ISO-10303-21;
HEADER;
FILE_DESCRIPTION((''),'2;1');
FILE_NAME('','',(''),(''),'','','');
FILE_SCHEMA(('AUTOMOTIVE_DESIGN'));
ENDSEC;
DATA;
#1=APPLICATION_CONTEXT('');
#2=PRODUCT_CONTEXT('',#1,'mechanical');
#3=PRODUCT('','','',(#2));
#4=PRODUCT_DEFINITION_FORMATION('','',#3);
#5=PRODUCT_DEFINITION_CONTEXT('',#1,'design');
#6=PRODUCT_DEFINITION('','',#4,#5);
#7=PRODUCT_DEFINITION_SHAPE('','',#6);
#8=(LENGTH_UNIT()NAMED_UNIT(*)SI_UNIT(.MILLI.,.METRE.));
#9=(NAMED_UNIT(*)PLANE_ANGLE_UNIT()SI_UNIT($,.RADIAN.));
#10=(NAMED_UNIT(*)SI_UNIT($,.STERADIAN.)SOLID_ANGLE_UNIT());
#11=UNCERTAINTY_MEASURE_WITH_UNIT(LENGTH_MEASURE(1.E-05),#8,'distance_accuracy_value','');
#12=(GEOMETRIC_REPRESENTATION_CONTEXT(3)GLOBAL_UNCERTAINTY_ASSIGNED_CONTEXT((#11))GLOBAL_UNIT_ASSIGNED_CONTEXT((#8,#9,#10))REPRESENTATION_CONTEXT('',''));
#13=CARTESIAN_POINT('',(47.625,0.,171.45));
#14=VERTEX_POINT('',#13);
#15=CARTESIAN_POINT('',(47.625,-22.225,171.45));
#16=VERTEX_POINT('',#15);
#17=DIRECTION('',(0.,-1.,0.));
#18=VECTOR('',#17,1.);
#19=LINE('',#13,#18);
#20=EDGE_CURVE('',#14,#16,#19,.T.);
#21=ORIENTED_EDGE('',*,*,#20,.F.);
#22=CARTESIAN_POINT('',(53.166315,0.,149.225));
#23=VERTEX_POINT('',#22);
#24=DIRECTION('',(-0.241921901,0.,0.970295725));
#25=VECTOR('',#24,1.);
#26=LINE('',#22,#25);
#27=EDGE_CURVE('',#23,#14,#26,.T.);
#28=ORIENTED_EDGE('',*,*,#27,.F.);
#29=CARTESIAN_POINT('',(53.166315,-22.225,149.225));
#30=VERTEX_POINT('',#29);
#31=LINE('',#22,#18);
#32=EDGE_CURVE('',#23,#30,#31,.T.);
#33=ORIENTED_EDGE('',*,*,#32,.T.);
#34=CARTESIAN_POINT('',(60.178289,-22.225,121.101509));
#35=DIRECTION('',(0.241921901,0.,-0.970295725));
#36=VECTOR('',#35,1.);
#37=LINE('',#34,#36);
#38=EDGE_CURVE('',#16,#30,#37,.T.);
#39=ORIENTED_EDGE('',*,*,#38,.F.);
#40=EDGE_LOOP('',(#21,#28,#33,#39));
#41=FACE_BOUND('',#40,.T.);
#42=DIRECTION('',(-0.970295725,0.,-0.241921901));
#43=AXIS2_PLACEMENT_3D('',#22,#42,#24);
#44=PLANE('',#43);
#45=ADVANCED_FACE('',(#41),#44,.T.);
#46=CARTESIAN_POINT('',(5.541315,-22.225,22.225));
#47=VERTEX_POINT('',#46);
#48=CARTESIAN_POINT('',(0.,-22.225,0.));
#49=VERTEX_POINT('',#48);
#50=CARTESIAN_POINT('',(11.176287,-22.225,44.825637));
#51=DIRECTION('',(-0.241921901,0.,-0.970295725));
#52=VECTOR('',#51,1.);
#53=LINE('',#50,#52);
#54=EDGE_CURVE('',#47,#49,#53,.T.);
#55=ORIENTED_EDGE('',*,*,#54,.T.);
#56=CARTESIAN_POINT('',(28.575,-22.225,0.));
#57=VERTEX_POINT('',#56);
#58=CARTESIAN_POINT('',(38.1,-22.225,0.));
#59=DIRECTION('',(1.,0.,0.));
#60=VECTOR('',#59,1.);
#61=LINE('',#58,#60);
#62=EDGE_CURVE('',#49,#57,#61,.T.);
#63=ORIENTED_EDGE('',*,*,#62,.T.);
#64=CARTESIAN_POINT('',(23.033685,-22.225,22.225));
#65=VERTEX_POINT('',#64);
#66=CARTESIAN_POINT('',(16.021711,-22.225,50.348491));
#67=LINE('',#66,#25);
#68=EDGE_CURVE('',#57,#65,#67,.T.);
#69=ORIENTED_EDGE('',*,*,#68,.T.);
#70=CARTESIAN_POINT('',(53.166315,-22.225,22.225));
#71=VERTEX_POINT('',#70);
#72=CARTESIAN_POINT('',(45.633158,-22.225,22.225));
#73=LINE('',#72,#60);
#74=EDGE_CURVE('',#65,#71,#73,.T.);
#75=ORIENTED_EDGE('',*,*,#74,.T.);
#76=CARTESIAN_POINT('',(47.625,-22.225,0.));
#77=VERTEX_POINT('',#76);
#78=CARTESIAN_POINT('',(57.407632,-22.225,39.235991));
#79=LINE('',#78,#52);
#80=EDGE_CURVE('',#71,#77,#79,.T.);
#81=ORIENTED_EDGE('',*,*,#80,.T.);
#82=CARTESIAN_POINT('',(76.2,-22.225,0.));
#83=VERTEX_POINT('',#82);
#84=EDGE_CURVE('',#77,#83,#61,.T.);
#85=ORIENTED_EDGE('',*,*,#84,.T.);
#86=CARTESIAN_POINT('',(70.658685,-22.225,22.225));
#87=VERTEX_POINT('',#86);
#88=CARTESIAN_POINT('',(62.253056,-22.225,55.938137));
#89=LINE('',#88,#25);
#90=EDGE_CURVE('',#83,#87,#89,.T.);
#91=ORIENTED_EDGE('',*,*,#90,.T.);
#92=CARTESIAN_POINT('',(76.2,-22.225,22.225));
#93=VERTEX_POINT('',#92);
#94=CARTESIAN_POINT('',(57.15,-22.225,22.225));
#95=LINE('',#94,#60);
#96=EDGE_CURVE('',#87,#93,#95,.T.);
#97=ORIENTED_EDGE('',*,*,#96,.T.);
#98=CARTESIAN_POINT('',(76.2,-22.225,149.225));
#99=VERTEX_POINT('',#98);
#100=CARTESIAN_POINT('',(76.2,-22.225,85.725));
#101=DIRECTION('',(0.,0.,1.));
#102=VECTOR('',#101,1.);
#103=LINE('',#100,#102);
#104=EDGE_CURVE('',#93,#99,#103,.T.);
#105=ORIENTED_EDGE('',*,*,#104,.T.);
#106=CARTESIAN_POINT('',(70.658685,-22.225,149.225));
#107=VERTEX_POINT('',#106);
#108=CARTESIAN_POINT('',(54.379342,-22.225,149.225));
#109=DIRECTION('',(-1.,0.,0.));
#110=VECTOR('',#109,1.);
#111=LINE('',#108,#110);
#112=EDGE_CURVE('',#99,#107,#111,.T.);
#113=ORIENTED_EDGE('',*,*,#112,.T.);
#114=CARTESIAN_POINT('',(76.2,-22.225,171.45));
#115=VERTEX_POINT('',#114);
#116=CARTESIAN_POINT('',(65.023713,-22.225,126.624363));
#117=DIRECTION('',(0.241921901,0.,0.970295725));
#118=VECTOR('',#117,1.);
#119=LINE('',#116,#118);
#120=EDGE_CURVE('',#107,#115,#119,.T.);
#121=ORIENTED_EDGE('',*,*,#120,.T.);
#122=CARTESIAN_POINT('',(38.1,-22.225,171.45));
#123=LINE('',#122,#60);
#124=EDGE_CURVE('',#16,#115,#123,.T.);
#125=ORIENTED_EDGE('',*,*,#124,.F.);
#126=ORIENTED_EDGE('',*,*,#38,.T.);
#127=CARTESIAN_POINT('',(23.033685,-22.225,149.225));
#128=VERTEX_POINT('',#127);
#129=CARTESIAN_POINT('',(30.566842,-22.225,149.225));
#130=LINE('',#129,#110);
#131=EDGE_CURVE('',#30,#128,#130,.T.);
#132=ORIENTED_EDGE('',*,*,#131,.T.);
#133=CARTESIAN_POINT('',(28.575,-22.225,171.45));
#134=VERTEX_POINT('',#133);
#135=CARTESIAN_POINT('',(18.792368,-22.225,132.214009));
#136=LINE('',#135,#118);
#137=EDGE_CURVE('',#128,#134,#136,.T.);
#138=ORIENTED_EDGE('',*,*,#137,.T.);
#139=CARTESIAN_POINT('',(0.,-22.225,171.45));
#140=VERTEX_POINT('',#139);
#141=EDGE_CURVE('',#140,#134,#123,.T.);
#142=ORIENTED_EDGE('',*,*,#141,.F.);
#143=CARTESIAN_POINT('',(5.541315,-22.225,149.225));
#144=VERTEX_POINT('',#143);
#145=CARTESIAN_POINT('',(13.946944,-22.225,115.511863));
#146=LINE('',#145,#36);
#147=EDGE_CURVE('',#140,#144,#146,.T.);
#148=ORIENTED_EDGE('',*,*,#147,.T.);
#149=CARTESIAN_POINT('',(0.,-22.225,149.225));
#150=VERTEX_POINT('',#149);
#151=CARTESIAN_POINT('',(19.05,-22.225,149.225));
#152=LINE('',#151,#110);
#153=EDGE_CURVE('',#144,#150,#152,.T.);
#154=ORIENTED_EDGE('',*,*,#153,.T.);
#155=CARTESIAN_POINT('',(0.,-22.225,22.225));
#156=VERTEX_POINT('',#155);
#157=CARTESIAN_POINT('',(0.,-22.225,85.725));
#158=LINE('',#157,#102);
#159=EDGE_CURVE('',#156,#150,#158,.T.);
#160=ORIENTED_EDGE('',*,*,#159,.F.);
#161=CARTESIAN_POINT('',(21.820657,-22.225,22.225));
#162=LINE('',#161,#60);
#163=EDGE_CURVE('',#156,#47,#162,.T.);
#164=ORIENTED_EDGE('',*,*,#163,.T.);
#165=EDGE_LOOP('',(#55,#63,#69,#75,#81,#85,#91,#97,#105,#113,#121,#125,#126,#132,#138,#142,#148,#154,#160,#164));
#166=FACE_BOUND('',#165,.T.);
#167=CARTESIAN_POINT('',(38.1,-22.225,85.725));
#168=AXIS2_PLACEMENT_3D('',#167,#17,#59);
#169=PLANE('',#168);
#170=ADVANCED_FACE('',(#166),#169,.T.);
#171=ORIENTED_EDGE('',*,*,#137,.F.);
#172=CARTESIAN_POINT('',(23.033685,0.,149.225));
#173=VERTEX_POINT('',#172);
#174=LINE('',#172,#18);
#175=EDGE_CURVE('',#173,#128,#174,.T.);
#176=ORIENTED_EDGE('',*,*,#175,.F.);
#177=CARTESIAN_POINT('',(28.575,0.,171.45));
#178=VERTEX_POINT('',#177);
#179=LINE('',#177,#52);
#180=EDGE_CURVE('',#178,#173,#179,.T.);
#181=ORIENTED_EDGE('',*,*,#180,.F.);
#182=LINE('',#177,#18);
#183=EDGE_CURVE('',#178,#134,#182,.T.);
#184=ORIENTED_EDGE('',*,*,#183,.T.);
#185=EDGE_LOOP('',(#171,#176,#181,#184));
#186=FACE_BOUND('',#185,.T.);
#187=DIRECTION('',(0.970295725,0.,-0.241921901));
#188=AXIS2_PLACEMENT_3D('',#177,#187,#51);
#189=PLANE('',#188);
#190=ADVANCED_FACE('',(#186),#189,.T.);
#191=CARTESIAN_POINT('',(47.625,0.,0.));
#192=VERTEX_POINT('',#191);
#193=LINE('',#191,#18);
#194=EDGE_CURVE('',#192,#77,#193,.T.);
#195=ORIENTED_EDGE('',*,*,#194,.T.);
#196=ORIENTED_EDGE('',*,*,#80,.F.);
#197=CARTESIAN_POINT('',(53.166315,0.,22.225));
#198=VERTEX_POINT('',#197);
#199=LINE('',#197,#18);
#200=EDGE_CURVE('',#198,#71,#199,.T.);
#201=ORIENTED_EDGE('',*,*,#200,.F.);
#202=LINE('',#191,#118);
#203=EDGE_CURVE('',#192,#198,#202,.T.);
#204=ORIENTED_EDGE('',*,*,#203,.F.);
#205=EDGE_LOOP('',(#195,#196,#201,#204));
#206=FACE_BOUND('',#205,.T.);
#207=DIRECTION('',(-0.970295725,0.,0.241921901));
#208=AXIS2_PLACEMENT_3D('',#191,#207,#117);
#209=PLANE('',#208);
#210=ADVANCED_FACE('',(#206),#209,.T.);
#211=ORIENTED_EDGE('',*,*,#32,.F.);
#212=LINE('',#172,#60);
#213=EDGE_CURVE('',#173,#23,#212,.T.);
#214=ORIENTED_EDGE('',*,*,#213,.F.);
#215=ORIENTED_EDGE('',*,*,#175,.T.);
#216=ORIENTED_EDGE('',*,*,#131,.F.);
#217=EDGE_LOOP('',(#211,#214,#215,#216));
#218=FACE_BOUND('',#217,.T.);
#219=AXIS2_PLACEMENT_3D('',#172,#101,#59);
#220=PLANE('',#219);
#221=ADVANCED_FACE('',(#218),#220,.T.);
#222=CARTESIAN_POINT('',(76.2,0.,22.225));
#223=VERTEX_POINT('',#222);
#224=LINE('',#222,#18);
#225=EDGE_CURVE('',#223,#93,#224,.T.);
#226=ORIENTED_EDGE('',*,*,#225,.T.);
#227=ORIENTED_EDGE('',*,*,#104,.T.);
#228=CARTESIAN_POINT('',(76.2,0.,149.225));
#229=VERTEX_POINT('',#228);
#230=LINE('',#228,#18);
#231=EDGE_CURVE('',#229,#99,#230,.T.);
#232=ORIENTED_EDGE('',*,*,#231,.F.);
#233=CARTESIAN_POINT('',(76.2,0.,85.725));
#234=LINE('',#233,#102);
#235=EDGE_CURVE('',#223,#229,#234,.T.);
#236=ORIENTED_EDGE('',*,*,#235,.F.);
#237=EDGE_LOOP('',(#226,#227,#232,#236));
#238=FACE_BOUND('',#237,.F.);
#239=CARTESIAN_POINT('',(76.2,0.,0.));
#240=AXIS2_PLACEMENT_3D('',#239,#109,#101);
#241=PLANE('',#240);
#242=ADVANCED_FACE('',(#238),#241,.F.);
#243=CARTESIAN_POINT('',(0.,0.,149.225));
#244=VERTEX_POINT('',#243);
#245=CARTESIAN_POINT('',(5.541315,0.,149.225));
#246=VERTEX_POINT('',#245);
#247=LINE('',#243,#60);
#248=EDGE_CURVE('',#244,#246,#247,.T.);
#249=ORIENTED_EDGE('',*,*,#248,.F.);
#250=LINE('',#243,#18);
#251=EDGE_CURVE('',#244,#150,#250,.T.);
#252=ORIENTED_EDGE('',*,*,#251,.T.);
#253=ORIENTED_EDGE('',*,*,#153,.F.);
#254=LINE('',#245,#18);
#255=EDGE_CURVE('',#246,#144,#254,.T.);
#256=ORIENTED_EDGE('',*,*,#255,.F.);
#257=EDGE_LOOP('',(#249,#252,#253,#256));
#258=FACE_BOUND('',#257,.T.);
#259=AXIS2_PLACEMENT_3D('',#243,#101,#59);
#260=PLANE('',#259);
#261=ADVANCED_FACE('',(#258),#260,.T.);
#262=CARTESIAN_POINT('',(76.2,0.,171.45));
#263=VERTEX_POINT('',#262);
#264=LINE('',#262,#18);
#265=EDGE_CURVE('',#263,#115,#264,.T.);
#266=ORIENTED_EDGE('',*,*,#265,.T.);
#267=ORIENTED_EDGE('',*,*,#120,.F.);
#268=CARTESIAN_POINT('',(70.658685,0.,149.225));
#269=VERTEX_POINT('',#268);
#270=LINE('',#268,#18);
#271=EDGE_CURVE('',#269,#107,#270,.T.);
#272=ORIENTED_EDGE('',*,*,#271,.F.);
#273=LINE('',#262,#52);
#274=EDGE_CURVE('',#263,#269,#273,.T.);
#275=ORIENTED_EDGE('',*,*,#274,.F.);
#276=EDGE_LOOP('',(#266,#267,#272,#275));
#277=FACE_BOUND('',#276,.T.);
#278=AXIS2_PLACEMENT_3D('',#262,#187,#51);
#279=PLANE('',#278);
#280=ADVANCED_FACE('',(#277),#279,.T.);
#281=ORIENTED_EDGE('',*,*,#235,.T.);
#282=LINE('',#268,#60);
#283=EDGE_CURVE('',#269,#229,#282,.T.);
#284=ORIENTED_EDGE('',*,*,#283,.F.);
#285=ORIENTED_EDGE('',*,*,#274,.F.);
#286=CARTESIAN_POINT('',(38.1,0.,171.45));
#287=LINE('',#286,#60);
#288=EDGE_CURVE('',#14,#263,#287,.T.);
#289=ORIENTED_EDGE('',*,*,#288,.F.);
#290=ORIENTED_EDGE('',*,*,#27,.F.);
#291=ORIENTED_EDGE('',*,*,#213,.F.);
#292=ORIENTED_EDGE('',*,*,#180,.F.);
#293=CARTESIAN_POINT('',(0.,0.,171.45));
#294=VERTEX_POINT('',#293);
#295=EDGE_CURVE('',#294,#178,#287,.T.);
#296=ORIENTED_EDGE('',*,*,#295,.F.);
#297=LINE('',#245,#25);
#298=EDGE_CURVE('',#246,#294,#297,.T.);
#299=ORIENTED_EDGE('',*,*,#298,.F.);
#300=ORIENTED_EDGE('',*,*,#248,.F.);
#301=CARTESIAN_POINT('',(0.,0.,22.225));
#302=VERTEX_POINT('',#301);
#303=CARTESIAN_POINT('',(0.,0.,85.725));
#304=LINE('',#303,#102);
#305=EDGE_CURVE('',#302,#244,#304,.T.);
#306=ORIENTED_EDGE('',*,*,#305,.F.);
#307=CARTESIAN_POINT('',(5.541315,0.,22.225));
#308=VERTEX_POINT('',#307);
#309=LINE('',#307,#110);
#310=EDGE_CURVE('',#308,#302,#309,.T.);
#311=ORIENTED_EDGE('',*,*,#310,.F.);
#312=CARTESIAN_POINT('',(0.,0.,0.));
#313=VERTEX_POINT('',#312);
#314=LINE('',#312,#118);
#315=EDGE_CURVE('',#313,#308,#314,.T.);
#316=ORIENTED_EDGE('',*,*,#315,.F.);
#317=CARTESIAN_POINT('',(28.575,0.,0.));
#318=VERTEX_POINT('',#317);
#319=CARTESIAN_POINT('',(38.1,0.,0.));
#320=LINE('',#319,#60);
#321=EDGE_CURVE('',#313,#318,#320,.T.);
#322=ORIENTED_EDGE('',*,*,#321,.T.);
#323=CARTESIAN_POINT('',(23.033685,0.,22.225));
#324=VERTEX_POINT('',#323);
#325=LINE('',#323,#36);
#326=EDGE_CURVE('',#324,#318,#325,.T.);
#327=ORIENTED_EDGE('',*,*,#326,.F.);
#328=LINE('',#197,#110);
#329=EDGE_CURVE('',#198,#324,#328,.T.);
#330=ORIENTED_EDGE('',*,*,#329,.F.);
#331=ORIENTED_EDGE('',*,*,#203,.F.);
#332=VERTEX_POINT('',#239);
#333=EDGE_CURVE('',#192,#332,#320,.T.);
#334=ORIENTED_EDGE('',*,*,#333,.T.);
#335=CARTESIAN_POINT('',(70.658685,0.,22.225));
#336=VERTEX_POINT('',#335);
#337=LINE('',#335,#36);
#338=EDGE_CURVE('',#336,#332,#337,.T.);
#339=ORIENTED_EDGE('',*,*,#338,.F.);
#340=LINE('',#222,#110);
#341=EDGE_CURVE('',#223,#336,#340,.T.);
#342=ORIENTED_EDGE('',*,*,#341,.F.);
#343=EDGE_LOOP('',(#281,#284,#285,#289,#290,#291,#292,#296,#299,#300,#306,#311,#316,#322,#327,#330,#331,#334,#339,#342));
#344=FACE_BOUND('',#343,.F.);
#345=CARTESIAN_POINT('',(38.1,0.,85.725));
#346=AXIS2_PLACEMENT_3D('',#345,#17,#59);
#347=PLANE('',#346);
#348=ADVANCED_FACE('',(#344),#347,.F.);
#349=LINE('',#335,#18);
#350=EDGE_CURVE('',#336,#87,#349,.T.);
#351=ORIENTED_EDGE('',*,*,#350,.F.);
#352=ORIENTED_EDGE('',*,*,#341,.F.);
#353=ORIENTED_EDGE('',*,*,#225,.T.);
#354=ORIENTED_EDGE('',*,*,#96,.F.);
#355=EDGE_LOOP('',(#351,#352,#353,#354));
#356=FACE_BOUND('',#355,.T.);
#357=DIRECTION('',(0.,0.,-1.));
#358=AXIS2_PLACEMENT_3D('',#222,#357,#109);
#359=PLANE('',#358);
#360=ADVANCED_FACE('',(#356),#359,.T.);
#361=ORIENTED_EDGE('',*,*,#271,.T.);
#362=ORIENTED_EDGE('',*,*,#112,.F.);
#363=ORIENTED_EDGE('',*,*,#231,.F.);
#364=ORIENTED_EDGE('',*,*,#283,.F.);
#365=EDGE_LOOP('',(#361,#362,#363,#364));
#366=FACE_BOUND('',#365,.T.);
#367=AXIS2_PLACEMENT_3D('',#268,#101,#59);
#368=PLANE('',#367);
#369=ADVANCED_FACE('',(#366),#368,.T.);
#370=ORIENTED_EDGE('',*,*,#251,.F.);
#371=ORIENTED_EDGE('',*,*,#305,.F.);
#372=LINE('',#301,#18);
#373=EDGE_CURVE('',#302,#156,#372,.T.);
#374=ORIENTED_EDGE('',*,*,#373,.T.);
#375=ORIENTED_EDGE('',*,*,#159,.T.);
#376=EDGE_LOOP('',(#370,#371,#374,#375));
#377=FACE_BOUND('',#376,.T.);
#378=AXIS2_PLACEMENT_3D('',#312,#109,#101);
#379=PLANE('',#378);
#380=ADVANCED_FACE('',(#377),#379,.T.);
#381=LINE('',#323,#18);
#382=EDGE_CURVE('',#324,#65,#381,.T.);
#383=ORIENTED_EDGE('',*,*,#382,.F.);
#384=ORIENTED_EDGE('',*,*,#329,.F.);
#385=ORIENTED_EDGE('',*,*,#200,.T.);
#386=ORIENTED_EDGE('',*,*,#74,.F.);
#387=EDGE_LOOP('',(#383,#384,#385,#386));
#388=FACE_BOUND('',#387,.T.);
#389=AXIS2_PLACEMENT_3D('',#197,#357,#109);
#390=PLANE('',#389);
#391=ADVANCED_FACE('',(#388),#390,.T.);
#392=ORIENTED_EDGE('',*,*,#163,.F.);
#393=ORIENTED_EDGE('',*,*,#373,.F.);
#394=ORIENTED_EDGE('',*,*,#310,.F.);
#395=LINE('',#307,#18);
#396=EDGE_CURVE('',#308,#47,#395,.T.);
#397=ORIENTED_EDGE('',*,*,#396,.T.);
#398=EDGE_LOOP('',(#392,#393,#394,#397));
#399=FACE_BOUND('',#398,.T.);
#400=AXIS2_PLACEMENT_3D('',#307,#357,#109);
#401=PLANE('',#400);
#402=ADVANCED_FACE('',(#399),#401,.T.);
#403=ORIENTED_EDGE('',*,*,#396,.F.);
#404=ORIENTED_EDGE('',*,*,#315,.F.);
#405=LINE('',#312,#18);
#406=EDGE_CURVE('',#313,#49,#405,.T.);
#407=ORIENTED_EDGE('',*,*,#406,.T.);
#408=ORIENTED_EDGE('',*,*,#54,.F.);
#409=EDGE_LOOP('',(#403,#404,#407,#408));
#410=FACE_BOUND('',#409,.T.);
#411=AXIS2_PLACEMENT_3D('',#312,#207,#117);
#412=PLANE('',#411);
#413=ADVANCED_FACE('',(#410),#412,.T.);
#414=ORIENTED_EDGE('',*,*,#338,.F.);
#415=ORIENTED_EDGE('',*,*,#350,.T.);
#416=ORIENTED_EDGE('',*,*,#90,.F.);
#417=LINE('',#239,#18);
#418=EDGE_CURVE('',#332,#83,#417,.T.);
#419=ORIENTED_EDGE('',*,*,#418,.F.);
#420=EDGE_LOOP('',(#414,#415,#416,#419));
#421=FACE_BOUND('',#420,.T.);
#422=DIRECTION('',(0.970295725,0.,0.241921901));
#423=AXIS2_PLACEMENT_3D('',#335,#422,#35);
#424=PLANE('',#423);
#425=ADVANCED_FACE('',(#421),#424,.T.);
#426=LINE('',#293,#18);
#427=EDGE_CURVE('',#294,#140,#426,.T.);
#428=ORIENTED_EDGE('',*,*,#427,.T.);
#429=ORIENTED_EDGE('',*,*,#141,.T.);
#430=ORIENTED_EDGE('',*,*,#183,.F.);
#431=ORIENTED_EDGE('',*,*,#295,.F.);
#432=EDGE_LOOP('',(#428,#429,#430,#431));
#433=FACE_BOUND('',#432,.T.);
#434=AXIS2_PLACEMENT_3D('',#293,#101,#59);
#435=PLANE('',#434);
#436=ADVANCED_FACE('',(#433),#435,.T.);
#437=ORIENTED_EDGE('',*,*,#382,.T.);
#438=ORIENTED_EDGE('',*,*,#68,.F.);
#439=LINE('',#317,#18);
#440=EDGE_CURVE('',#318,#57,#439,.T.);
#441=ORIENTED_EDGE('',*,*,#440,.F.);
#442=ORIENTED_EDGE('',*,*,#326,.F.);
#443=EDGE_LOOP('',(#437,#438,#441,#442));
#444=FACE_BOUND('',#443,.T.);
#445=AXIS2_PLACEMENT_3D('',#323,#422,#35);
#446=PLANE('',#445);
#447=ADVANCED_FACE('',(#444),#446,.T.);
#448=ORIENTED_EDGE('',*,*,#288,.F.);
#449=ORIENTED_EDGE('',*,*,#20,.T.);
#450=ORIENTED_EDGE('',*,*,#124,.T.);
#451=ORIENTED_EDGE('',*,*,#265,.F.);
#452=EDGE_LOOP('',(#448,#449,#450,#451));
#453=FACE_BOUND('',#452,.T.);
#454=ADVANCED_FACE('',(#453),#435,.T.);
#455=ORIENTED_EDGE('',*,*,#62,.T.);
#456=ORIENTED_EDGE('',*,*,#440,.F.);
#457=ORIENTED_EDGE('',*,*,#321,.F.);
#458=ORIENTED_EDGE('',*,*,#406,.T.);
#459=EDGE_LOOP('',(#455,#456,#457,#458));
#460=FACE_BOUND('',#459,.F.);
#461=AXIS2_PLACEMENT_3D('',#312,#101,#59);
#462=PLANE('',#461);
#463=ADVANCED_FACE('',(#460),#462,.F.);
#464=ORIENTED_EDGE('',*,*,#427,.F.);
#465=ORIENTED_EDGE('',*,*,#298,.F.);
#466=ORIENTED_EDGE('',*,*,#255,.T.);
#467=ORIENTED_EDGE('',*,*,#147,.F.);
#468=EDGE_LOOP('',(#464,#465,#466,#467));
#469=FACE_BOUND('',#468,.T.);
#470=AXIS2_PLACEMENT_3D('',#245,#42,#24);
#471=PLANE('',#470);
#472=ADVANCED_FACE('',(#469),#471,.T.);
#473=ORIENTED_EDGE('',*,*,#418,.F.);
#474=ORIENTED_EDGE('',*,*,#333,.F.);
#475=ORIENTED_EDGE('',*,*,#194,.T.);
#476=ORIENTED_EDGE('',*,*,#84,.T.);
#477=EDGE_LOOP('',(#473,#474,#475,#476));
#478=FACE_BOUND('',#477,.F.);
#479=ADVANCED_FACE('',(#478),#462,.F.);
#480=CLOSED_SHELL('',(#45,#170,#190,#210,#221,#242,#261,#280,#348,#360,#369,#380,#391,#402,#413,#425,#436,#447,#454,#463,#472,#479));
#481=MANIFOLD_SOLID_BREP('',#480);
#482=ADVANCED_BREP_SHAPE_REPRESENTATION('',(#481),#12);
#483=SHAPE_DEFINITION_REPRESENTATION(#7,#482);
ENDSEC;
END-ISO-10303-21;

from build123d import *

# Parameters (mm, degrees)
F0_W     = 76.2
F0_H     = 171.45
F1_DEPTH = 22.225
F3_DEPTH = 22.226


with BuildPart() as f1:
    # F0 (on Front) → F1 (new body)
    with BuildSketch(Plane.XZ):
        with Locations((38.1, 85.725)):
            Rectangle(F0_W, F0_H)
    extrude(amount=F1_DEPTH)

    # F2 (on Front) → F3 (cut, through all)
    with BuildSketch(Plane.XZ):
        Polygon((28.575, 171.45), (23.033685, 149.225), (53.166315, 149.225), (47.625, 171.45), align=None)
        Polygon((76.2, 149.225), (76.2, 171.45), (70.658685, 149.225), align=None)
        Polygon((5.541315, 149.225), (0, 171.45), (0, 149.225), align=None)
        Polygon((70.658685, 22.225), (76.2, 0), (76.2, 22.225), align=None)
        Polygon((53.166315, 22.225), (23.033685, 22.225), (28.575, 0), (47.625, 0), align=None)
        Polygon((0, 22.225), (0, 0), (5.541315, 22.225), align=None)
    extrude(amount=F3_DEPTH, mode=Mode.SUBTRACT)


solid = f1.part
